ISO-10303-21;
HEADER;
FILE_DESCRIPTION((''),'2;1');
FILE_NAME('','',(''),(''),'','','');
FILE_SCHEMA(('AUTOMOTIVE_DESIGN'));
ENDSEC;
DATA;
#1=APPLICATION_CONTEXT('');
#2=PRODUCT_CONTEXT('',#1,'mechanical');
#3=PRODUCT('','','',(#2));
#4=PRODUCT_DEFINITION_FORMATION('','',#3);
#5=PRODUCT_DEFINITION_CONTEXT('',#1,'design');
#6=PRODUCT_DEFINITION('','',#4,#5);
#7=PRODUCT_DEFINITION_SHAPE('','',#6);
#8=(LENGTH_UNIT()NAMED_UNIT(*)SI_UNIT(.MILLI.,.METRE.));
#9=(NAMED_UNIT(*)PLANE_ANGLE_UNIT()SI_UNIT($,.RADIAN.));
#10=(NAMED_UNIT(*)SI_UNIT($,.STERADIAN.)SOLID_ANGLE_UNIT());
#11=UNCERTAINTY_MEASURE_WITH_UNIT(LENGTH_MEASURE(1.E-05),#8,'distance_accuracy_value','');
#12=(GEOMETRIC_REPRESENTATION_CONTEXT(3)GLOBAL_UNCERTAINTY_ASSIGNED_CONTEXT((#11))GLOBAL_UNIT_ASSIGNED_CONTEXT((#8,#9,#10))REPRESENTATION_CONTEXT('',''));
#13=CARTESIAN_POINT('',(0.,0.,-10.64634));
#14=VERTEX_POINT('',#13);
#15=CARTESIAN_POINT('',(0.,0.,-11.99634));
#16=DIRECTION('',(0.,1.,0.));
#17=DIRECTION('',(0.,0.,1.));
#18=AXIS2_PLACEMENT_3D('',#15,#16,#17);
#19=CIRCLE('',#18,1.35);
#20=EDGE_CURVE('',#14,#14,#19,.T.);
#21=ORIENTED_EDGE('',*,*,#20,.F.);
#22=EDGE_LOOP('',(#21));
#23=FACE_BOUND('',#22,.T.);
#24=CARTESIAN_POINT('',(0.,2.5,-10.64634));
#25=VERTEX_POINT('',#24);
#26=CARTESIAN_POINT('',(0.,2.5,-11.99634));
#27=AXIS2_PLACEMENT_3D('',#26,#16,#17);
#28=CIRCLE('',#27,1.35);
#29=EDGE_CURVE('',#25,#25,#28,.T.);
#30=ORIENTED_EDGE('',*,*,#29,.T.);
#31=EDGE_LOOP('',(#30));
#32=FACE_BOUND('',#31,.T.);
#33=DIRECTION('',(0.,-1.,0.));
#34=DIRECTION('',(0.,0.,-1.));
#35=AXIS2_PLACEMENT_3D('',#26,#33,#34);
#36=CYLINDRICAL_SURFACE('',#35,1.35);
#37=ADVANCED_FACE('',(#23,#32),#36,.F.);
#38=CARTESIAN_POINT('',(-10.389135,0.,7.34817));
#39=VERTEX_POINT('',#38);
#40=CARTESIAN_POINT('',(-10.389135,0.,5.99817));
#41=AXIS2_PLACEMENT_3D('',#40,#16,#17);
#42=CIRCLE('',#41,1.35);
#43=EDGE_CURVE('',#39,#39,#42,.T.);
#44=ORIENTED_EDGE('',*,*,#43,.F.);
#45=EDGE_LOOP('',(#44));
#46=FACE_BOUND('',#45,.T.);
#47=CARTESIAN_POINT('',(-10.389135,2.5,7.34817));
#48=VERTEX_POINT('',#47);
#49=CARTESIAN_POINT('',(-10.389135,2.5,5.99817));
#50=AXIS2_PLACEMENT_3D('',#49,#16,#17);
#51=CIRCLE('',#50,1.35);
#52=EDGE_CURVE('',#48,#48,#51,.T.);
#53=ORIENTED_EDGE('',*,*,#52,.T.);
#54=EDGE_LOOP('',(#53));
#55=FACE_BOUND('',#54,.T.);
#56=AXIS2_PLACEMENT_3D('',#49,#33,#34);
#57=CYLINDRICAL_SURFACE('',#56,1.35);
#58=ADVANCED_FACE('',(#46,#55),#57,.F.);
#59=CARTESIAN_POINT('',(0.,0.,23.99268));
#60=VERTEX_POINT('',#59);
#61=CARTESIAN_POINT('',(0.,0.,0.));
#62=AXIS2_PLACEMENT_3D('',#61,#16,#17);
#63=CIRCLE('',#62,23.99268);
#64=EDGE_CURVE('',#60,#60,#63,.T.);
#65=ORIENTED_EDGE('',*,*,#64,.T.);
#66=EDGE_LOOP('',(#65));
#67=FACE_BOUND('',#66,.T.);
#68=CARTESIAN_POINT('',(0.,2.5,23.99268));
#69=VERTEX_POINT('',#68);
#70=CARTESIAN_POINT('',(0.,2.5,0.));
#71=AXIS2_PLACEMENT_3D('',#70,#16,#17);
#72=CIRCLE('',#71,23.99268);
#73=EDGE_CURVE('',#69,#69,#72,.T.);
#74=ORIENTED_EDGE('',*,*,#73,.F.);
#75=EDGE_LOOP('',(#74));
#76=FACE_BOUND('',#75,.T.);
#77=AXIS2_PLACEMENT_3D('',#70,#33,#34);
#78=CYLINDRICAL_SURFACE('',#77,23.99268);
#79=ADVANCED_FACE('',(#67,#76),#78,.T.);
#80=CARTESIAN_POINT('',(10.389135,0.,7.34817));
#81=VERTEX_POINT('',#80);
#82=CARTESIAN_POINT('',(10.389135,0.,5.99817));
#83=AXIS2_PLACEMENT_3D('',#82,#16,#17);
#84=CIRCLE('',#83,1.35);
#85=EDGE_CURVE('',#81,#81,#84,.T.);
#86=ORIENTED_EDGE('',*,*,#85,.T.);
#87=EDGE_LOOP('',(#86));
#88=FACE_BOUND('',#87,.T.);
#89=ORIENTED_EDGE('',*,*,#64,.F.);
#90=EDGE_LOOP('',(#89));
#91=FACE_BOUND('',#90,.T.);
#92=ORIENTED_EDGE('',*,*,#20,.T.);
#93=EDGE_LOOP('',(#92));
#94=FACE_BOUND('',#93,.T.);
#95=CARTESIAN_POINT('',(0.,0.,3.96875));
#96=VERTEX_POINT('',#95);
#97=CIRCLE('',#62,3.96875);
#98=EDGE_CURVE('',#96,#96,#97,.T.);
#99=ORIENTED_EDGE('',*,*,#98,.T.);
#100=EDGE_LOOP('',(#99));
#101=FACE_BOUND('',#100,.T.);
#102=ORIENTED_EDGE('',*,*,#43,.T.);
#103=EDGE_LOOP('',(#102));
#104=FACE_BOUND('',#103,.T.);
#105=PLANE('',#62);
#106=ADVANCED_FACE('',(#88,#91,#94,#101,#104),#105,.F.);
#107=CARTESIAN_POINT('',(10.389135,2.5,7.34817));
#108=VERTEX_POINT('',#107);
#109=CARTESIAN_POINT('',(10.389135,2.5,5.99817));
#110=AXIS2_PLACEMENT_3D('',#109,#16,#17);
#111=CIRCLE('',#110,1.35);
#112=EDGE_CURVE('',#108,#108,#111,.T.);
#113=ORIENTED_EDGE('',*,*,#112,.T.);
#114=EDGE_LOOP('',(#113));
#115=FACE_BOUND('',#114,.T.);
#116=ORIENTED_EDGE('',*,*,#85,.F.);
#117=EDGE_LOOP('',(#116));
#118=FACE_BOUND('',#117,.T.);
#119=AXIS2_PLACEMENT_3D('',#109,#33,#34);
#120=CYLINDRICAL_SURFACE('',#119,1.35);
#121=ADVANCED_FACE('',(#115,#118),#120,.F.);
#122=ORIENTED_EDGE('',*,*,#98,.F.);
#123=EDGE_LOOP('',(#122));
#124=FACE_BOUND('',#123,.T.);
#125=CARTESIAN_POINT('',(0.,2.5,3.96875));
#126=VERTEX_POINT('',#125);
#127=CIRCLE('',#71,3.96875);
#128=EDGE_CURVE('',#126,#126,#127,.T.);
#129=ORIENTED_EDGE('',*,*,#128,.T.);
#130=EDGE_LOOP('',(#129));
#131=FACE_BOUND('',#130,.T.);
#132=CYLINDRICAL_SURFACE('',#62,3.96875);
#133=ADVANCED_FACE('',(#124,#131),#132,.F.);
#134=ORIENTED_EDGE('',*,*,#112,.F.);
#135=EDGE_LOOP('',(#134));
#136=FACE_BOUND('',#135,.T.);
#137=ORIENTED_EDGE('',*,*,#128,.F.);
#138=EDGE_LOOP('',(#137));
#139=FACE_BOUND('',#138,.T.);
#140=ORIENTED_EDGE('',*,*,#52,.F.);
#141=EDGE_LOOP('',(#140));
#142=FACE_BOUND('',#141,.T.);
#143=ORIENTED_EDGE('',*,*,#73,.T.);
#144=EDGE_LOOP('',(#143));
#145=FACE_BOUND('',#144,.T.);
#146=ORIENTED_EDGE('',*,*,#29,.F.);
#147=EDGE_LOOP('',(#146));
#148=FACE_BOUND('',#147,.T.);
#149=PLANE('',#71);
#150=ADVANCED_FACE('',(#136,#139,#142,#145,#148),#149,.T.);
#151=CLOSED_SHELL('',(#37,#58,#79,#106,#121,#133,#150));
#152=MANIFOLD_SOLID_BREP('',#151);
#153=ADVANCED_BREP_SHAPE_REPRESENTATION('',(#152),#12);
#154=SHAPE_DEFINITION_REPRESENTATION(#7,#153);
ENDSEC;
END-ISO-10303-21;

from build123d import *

# Parameters (mm, degrees)
SKETCH1_R           = 23.99268
SKETCH1_R_2         = 1.35
BOSS_EXTRUDE1_DEPTH = 2.5
SKETCH4_R           = 3.96875
CUT_EXTRUDE3_DEPTH  = 3.5


with BuildPart() as part:
    # Sketch1 → Boss-Extrude1 (new body)
    with BuildSketch(Plane(origin=(0, 0, 0), x_dir=(1, 0, 0), z_dir=(0, 1, 0))):
        Circle(SKETCH1_R)
        with Locations((0, 11.99634)):
            Circle(SKETCH1_R_2, mode=Mode.SUBTRACT)
        with Locations((10.389135192, -5.99817)):
            Circle(SKETCH1_R_2, mode=Mode.SUBTRACT)
        with Locations((-10.389135192, -5.99817)):
            Circle(SKETCH1_R_2, mode=Mode.SUBTRACT)
    extrude(amount=BOSS_EXTRUDE1_DEPTH)

    # Sketch4 → Cut-Extrude3 (cut, through all)
    with BuildSketch(Plane(origin=(0, 2.5, 0), x_dir=(1, 0, 0), z_dir=(0, 1, 0))):
        Circle(SKETCH4_R)
    extrude(amount=-CUT_EXTRUDE3_DEPTH, mode=Mode.SUBTRACT)


solid = part.part
